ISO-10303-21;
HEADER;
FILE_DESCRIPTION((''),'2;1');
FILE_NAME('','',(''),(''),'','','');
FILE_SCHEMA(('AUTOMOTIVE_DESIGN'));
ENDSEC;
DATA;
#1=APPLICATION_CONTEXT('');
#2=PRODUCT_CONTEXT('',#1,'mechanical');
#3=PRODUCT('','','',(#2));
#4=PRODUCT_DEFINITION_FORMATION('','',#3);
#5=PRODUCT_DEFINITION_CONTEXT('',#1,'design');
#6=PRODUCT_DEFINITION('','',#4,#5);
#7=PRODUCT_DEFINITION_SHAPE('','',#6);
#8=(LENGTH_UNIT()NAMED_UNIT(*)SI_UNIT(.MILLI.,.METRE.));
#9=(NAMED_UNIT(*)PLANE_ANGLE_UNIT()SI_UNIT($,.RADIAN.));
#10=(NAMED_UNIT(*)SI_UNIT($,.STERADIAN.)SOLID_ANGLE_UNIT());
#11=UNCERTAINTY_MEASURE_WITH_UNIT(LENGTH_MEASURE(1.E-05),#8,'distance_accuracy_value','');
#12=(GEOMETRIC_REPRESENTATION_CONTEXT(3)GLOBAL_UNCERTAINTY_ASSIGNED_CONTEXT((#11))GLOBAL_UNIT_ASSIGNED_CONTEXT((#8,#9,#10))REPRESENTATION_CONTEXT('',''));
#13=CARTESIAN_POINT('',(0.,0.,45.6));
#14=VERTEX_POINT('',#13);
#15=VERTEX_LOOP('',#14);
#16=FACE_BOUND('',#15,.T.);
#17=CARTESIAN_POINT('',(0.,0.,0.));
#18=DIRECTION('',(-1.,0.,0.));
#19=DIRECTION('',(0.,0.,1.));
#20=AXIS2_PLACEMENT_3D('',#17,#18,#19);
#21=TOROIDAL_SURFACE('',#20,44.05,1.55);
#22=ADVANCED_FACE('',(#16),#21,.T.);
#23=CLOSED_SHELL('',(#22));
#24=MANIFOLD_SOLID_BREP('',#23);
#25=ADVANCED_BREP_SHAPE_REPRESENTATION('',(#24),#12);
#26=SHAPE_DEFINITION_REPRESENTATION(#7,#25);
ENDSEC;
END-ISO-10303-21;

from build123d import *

# Parameters (mm, degrees)
SKETCH_1_R = 1.55


with BuildPart() as part:
    # ｽｹｯﾁ1 → Oリング (revolve)
    with BuildSketch(Plane.XY, mode=Mode.PRIVATE) as revolve_o_sk:
        with Locations((0, 44.05)):
            Circle(SKETCH_1_R)
    revolve(revolve_o_sk.sketch.rotate(Axis((0, 0, 0), (1, 0, 0)), 90), axis=Axis((0, 0, 0), (1, 0, 0)))


solid = part.part
